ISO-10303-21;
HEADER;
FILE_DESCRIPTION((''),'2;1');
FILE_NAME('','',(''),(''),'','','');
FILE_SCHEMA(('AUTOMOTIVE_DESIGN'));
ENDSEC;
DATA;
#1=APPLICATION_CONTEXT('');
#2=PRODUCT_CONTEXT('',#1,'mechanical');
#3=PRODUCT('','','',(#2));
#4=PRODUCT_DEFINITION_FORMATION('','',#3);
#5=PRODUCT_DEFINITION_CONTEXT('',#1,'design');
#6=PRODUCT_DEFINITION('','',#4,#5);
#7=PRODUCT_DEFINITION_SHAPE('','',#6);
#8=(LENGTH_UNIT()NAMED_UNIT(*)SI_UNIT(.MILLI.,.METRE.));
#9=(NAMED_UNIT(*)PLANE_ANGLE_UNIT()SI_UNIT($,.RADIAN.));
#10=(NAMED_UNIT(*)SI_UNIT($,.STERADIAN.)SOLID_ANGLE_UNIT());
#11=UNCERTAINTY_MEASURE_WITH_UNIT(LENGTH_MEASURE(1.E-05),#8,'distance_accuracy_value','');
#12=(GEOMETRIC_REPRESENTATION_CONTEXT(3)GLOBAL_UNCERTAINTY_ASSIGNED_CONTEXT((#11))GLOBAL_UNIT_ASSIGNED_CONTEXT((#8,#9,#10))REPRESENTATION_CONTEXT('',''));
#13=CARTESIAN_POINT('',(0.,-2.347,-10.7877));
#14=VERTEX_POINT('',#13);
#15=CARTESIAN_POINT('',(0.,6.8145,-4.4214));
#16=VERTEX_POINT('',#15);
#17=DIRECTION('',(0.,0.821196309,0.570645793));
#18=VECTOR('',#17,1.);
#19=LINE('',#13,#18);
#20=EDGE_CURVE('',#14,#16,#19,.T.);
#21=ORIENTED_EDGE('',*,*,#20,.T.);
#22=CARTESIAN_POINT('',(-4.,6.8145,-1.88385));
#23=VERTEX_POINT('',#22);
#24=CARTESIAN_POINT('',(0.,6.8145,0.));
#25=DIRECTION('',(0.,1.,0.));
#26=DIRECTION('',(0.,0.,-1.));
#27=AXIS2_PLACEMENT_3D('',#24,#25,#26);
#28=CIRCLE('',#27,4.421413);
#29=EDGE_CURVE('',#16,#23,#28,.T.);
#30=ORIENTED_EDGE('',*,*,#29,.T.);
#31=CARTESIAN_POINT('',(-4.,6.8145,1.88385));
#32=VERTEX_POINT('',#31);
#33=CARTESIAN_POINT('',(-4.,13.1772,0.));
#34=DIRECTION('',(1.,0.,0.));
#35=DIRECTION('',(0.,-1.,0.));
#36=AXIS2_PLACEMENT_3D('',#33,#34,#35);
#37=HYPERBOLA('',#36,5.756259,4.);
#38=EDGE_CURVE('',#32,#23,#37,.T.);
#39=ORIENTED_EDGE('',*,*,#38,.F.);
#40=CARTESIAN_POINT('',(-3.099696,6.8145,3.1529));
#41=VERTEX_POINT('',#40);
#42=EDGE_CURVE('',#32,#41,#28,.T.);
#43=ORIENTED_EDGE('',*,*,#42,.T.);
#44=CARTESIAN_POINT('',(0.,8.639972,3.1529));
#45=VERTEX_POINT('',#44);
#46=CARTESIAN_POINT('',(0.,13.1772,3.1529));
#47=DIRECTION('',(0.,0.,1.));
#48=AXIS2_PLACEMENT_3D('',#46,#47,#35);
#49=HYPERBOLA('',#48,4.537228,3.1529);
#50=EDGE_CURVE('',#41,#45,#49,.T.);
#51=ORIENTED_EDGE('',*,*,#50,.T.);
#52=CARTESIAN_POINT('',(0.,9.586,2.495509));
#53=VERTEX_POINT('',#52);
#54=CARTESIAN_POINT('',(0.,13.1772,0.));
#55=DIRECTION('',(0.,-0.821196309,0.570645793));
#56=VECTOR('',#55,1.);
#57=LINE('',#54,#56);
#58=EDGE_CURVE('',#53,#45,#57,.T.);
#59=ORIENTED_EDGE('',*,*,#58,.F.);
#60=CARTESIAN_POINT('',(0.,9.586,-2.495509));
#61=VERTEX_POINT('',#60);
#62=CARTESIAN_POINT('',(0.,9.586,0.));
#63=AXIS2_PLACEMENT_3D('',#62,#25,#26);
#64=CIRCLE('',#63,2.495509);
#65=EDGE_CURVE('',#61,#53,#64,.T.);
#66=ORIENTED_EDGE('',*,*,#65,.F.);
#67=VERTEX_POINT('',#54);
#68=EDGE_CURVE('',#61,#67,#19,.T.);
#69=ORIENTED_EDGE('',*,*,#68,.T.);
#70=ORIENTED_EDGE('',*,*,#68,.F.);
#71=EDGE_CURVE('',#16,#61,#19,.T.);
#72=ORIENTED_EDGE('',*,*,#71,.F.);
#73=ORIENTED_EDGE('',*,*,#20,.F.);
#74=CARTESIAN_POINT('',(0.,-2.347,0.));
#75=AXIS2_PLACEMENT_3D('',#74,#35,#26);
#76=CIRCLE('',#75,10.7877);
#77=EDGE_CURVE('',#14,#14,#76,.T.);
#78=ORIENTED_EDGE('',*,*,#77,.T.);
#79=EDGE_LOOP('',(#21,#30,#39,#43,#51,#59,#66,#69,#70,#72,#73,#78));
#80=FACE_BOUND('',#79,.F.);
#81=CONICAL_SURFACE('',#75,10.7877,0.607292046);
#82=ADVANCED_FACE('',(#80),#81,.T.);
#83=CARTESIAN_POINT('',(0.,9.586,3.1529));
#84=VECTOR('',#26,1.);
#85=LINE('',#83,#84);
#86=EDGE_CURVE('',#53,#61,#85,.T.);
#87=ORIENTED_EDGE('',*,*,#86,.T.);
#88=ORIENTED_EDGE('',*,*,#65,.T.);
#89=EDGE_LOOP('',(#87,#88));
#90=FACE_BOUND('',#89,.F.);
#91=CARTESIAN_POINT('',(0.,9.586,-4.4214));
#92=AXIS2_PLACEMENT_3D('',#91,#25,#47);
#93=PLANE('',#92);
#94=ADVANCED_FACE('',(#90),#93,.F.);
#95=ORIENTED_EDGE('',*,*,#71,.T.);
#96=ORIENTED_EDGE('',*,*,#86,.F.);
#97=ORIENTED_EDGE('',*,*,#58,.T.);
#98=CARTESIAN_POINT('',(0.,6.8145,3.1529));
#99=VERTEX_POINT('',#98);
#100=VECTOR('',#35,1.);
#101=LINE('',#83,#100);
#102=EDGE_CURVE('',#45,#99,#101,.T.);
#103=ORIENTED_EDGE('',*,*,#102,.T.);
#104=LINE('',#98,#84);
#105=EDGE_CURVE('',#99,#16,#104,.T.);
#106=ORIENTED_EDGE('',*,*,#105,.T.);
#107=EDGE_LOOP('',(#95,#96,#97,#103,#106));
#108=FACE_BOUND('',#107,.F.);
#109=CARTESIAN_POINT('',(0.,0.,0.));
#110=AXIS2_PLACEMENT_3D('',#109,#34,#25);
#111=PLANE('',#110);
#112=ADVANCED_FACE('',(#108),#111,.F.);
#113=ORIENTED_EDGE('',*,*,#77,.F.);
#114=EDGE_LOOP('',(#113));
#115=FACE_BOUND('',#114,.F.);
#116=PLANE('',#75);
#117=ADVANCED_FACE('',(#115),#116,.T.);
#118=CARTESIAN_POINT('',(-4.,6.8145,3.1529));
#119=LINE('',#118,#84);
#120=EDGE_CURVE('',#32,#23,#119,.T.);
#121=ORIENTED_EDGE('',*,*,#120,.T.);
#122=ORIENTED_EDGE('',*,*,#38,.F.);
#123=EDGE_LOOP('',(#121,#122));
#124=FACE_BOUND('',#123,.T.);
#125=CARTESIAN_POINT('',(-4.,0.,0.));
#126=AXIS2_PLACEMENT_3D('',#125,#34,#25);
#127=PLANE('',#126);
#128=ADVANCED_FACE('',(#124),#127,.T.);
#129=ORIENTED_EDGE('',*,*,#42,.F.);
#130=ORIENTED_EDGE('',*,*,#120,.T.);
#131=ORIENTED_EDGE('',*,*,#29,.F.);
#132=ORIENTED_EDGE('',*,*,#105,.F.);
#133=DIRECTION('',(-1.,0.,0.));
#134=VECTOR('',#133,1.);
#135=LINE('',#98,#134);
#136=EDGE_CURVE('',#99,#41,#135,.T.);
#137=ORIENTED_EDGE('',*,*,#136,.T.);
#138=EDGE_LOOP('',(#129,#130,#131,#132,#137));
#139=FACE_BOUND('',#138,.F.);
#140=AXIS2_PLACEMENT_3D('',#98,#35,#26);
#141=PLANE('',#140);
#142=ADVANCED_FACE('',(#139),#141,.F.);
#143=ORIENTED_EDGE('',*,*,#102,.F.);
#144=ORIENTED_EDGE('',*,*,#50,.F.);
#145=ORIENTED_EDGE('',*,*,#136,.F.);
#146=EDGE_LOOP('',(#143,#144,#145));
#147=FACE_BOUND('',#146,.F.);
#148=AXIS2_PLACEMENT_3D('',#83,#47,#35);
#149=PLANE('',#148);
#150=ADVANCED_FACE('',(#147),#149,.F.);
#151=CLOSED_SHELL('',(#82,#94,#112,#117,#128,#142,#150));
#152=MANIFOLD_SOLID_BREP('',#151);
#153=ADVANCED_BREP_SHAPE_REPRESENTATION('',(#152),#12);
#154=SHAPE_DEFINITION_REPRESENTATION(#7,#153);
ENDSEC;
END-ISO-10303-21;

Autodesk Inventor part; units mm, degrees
ref_plane "YZ Plane" through (0, 0, 0) normal (1, 0, 0) x (0, 1, 0)
ref_plane "XZ Plane" through (0, 0, 0) normal (0, 1, 0) x (-1, 0, 0)
ref_plane "XY Plane" through (0, 0, 0) normal (0, 0, 1) x (1, 0, 0)
sketch "Эскиз4" plane through (0, 0, 0) normal (1, 0, 0) x (0, 1, 0)
  line L0 (13.1772, 0) -> (-2.347, 0)
  line L1 (-2.347, 0) -> (-2.347, -10.7877)
  line L2 (-2.347, -10.7877) -> (13.1772, 0)
  point P0 (0, 0)
revolve "Вращение2" add sketch "Эскиз4" angle 360 about axis through (0, 13.1772, 0) along (0, -1, 0)
sketch "Эскиз5" plane through (0, 0, 0) normal (1, 0, 0) x (0, 1, 0)
  line L0 (13.1772, 0) -> (-2.347, -10.7877) projected
  line L1 (9.586, 3.1529) -> (6.8145, 3.1529)
  line L2 (6.8145, 3.1529) -> (6.8145, -4.4214)
  line L3 (6.8145, -4.4214) -> (9.586, -4.4214)
  line L4 (9.586, -4.4214) -> (9.586, 3.1529)
  point P0 (0, 0)
extrude "Выдавливание1" cut sketch "Эскиз5" against normal blind 4
properties part number "вырез"
